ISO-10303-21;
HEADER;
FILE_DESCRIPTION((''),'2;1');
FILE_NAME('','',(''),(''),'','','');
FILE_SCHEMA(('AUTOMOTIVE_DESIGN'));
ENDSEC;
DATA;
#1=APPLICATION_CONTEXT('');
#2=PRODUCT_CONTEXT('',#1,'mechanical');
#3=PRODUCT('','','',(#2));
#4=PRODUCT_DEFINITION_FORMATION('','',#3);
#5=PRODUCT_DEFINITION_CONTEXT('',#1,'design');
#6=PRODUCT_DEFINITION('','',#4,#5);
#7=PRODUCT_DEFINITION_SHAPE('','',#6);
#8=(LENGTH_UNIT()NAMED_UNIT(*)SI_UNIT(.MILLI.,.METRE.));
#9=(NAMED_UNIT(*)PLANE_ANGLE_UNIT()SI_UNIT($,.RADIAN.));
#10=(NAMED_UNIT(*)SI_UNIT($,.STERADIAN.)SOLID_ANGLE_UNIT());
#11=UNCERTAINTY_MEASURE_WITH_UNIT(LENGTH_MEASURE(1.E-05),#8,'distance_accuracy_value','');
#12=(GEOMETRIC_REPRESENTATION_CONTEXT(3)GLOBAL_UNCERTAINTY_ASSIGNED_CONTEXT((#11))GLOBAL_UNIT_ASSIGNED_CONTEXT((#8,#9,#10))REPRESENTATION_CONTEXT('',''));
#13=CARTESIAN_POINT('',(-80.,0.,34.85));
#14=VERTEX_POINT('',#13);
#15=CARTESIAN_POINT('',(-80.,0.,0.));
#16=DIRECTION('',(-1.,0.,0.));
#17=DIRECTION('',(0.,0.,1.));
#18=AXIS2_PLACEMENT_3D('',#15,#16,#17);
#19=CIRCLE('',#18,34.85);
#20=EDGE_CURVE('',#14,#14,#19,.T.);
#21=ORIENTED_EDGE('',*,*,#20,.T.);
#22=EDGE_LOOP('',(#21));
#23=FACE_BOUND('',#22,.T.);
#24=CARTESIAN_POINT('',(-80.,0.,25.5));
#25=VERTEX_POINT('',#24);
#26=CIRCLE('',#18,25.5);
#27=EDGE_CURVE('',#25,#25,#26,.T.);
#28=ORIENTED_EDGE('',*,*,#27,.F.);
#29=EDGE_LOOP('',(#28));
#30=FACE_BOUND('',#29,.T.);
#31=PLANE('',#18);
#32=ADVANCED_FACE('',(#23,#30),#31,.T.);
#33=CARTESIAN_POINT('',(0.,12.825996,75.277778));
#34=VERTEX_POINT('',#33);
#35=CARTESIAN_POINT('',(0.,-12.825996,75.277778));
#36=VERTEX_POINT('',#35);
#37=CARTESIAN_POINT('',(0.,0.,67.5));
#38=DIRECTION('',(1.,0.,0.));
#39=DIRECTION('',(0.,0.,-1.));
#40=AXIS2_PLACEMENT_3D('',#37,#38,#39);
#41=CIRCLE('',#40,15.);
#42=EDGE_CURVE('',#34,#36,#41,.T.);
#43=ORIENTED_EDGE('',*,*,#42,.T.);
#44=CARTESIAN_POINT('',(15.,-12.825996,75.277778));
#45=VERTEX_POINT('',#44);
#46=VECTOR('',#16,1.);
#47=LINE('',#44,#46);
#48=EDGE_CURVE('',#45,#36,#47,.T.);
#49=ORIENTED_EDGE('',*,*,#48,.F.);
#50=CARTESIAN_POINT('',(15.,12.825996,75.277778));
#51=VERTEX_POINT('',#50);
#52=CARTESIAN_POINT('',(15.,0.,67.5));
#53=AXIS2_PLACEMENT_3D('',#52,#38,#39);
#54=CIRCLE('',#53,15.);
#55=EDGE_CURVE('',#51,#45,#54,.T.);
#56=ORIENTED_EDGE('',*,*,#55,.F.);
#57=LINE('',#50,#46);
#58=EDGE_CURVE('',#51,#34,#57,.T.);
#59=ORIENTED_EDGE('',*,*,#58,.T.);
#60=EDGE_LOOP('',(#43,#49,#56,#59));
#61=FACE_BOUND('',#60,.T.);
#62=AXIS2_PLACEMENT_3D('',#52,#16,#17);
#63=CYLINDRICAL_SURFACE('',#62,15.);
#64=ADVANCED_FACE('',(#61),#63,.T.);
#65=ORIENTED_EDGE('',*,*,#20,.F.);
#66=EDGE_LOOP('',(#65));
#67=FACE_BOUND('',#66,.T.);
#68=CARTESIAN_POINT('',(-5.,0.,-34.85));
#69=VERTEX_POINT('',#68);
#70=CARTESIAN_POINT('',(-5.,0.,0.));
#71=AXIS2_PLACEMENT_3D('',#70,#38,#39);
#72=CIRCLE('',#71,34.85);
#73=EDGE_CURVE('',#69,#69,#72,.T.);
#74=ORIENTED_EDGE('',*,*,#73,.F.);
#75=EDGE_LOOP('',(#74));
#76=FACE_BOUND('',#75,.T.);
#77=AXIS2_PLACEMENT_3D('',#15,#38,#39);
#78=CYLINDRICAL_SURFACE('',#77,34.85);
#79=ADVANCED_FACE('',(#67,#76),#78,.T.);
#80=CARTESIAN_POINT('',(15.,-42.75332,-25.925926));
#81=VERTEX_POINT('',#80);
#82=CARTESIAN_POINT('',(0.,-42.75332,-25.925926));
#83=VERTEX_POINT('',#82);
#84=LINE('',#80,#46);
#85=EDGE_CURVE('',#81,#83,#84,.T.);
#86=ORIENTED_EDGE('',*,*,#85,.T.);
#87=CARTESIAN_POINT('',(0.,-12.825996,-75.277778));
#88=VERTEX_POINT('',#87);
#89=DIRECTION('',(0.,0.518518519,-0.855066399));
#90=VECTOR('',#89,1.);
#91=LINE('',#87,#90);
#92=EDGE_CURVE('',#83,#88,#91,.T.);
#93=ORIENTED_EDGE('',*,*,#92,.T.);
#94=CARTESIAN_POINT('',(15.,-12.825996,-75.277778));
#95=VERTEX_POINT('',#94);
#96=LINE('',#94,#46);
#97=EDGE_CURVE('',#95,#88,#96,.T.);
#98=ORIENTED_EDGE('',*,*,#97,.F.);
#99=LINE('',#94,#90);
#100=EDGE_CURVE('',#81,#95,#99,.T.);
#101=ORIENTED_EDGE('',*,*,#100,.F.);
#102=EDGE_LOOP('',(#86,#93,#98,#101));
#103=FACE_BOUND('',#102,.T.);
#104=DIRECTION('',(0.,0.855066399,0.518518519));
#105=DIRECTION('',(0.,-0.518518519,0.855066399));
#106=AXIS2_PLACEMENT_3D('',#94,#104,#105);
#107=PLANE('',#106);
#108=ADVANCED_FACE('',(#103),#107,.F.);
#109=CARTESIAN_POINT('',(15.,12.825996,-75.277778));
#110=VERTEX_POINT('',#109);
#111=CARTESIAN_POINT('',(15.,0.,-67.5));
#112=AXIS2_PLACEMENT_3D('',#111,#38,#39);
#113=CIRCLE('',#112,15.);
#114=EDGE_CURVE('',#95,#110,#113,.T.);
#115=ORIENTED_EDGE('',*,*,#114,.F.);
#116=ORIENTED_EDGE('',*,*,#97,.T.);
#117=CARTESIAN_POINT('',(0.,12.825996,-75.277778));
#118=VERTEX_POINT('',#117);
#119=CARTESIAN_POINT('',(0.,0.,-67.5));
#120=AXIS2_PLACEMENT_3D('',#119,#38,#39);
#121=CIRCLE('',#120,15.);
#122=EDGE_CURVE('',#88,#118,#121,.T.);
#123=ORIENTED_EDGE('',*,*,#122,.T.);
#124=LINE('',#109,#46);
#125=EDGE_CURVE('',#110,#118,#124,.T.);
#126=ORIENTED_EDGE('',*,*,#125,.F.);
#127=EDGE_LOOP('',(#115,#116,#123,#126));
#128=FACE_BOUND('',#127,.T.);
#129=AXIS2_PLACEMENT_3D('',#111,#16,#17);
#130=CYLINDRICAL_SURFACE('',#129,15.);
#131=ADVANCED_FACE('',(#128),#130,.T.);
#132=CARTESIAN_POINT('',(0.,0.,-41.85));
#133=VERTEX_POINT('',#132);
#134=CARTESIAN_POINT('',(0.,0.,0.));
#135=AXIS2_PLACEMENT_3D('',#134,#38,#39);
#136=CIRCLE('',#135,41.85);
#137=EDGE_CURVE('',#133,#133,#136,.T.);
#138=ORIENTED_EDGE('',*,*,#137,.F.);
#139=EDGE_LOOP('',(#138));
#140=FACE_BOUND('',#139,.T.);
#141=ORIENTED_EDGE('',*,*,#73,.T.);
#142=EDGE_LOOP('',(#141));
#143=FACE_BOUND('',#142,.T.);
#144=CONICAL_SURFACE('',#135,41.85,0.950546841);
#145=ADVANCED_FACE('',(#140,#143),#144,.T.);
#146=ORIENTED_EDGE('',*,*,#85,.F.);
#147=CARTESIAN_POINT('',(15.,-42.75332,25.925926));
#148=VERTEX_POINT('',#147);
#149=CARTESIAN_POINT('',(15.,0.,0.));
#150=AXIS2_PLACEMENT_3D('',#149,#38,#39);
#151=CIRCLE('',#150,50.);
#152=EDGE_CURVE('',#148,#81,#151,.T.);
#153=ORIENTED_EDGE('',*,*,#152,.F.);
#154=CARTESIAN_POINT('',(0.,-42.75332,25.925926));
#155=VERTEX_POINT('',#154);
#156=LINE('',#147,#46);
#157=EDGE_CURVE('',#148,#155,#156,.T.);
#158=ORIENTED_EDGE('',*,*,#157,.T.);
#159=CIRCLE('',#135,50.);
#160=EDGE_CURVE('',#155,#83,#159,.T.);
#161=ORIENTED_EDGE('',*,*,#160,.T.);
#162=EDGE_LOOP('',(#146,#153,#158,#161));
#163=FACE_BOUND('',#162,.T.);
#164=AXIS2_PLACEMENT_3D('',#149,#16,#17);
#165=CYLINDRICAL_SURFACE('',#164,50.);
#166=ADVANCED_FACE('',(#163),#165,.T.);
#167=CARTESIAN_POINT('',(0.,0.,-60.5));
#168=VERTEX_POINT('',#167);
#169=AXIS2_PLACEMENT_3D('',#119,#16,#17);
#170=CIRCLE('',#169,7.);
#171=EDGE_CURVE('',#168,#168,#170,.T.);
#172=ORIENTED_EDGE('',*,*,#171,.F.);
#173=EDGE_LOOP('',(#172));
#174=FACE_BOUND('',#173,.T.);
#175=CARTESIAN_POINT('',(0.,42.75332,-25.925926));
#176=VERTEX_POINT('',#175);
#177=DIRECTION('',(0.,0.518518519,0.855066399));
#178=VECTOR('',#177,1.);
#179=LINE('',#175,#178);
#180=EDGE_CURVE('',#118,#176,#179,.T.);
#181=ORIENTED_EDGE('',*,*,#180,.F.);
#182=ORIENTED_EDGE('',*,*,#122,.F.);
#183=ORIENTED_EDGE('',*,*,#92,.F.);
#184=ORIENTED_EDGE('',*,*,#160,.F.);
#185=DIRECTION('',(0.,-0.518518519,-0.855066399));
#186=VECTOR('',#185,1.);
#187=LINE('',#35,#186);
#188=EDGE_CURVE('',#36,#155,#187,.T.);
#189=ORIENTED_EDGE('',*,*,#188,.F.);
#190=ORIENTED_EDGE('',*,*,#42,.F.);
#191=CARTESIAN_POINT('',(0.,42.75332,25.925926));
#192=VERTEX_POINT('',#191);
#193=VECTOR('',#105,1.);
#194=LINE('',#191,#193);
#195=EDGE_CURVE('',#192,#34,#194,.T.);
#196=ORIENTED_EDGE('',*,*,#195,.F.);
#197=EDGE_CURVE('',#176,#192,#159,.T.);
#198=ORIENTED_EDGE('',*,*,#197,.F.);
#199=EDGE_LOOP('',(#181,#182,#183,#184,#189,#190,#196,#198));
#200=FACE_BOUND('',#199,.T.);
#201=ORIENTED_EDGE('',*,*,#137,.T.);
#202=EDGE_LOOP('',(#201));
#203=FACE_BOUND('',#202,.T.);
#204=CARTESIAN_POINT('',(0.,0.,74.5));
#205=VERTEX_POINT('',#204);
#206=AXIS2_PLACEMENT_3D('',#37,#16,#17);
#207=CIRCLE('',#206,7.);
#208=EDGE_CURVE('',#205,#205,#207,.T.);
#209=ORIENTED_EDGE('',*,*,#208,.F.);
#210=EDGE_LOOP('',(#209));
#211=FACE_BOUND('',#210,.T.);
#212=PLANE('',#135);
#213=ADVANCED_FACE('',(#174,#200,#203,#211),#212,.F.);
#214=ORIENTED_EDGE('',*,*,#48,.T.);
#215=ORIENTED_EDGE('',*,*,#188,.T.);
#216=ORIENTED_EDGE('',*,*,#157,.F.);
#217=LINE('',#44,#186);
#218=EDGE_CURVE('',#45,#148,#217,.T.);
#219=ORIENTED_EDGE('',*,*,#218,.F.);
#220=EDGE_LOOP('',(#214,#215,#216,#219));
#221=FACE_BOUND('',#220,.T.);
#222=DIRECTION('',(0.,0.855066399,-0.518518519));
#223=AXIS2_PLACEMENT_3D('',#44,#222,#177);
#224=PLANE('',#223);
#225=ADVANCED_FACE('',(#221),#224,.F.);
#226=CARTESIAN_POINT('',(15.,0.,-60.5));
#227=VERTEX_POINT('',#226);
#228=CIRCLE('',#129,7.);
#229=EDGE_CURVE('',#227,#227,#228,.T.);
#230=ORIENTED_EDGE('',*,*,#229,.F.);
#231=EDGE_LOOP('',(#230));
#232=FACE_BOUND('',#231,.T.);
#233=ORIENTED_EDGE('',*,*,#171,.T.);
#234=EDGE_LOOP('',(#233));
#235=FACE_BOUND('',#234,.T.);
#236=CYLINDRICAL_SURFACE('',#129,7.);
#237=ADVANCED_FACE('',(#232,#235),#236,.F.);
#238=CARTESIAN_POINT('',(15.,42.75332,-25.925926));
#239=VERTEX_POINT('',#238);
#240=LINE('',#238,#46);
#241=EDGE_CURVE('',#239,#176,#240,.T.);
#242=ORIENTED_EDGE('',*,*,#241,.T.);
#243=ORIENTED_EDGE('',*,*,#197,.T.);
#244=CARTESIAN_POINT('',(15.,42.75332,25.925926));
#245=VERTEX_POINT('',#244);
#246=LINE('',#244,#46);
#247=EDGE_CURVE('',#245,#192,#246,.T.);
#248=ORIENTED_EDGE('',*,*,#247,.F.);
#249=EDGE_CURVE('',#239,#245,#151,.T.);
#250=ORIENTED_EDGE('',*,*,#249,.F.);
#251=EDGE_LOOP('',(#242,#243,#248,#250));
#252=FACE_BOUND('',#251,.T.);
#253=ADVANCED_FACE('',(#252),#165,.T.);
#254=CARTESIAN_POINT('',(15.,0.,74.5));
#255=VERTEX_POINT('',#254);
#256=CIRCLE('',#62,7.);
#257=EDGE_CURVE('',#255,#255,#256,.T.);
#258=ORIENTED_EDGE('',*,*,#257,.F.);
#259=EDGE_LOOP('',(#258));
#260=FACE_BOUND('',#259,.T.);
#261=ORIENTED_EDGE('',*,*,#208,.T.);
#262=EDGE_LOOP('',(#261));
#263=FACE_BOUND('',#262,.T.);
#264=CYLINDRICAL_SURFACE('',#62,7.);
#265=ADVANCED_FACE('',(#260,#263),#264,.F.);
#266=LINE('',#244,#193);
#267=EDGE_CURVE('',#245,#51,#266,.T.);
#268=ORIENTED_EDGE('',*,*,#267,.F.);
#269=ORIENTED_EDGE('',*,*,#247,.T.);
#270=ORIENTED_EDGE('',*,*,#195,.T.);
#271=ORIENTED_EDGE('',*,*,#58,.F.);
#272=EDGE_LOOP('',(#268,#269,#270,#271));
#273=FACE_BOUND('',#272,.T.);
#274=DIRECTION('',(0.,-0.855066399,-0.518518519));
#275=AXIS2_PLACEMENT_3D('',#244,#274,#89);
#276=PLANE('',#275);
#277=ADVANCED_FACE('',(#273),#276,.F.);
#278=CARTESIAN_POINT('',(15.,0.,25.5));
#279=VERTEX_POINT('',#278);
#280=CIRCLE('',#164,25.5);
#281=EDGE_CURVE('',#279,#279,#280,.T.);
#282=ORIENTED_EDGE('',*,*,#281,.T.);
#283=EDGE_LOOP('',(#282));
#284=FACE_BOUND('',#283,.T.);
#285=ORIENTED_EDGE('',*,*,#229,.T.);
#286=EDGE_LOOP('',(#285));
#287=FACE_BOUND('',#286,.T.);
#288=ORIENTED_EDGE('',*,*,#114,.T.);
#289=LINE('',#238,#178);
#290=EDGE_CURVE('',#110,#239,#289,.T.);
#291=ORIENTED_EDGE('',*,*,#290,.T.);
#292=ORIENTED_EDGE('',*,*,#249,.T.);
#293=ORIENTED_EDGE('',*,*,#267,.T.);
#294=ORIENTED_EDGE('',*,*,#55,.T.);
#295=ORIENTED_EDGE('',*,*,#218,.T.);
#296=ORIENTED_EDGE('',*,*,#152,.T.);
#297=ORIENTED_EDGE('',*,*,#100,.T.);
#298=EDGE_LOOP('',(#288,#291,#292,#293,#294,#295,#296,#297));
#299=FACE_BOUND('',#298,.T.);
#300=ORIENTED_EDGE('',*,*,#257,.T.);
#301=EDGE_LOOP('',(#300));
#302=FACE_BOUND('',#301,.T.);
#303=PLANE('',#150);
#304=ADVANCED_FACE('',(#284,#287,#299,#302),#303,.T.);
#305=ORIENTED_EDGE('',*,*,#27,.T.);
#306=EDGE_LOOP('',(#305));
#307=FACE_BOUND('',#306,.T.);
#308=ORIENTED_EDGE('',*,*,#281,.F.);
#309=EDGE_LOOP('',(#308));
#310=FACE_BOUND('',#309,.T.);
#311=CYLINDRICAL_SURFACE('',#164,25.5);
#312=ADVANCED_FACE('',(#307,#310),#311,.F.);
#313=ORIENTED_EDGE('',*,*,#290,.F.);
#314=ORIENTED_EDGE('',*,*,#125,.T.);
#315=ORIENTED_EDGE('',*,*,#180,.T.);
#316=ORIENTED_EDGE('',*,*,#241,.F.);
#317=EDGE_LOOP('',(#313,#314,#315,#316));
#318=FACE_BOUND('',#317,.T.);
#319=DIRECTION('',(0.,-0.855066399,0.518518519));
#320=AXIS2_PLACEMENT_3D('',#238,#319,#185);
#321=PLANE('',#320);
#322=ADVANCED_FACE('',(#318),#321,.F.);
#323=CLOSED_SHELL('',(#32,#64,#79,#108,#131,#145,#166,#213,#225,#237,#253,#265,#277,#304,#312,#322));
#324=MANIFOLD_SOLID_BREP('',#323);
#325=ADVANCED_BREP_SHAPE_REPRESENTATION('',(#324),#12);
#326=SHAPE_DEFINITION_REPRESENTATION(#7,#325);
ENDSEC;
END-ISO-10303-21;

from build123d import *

# Parameters (mm, degrees)
BOSS_EXTRUDE1_DEPTH = 15
SKETCH2_R           = 7
CUT_EXTRUDE1_DEPTH  = 98.628120949
SKETCH3_R           = 25.5
CUT_EXTRUDE2_DEPTH  = 98.628120949
BOSS_EXTRUDE2_START = 80
SKETCH4_R           = 34.85
SKETCH4_R_2         = 25.5
BOSS_EXTRUDE2_DEPTH = 80


with BuildPart() as part:
    # Sketch1 → Boss-Extrude1 (new body)
    with BuildSketch(Plane(origin=(0, 0, 0), x_dir=(0, 0, -1), z_dir=(1, 0, 0))):
        with BuildLine():
            Line((-25.925925926, 42.753319928), (-75.277777778, 12.825995978))
            ThreePointArc((-75.277777778, 12.825995978), (-82.5, 0), (-75.277777778, -12.825995978))
            Line((-75.277777778, -12.825995978), (-25.925925926, -42.753319928))
            ThreePointArc((-25.925925926, -42.753319928), (0, -50), (25.925925926, -42.753319928))
            Line((25.925925926, -42.753319928), (75.277777778, -12.825995978))
            ThreePointArc((75.277777778, -12.825995978), (82.5, 0), (75.277777778, 12.825995978))
            Line((75.277777778, 12.825995978), (25.925925926, 42.753319928))
            ThreePointArc((25.925925926, 42.753319928), (0, 50), (-25.925925926, 42.753319928))
        make_face()
    extrude(amount=BOSS_EXTRUDE1_DEPTH)

    # Sketch2 → Cut-Extrude1 (cut, through all)
    with BuildSketch(Plane.ZY):
        with Locations((67.5, 0)):
            Circle(SKETCH2_R)
        with Locations((-67.5, 0)):
            Circle(SKETCH2_R)
    extrude(amount=-CUT_EXTRUDE1_DEPTH, mode=Mode.SUBTRACT)

    # Sketch3 → Cut-Extrude2 (cut, through all)
    with BuildSketch(Plane.ZY):
        Circle(SKETCH3_R)
    extrude(amount=-CUT_EXTRUDE2_DEPTH, mode=Mode.SUBTRACT)

    # Sketch4 → Boss-Extrude2 (add)
    with BuildSketch(Plane.ZY.offset(BOSS_EXTRUDE2_START)):
        with Locations(Location((0, 0, 0), (0, 0, 180))):
            Circle(SKETCH4_R)
        Circle(SKETCH4_R_2, mode=Mode.SUBTRACT)
    extrude(amount=-BOSS_EXTRUDE2_DEPTH)

    # Sketch5 → Revolve1 (revolve)
    with BuildSketch(Plane(origin=(0, 0, 0), x_dir=(1, 0, 0), z_dir=(0, 1, 0))):
        Polygon((0, 34.85), (-5, 34.85), (0, 41.85), align=None)
    revolve(axis=Axis((0, 0, 0), (-1, 0, 0)))


solid = part.part
